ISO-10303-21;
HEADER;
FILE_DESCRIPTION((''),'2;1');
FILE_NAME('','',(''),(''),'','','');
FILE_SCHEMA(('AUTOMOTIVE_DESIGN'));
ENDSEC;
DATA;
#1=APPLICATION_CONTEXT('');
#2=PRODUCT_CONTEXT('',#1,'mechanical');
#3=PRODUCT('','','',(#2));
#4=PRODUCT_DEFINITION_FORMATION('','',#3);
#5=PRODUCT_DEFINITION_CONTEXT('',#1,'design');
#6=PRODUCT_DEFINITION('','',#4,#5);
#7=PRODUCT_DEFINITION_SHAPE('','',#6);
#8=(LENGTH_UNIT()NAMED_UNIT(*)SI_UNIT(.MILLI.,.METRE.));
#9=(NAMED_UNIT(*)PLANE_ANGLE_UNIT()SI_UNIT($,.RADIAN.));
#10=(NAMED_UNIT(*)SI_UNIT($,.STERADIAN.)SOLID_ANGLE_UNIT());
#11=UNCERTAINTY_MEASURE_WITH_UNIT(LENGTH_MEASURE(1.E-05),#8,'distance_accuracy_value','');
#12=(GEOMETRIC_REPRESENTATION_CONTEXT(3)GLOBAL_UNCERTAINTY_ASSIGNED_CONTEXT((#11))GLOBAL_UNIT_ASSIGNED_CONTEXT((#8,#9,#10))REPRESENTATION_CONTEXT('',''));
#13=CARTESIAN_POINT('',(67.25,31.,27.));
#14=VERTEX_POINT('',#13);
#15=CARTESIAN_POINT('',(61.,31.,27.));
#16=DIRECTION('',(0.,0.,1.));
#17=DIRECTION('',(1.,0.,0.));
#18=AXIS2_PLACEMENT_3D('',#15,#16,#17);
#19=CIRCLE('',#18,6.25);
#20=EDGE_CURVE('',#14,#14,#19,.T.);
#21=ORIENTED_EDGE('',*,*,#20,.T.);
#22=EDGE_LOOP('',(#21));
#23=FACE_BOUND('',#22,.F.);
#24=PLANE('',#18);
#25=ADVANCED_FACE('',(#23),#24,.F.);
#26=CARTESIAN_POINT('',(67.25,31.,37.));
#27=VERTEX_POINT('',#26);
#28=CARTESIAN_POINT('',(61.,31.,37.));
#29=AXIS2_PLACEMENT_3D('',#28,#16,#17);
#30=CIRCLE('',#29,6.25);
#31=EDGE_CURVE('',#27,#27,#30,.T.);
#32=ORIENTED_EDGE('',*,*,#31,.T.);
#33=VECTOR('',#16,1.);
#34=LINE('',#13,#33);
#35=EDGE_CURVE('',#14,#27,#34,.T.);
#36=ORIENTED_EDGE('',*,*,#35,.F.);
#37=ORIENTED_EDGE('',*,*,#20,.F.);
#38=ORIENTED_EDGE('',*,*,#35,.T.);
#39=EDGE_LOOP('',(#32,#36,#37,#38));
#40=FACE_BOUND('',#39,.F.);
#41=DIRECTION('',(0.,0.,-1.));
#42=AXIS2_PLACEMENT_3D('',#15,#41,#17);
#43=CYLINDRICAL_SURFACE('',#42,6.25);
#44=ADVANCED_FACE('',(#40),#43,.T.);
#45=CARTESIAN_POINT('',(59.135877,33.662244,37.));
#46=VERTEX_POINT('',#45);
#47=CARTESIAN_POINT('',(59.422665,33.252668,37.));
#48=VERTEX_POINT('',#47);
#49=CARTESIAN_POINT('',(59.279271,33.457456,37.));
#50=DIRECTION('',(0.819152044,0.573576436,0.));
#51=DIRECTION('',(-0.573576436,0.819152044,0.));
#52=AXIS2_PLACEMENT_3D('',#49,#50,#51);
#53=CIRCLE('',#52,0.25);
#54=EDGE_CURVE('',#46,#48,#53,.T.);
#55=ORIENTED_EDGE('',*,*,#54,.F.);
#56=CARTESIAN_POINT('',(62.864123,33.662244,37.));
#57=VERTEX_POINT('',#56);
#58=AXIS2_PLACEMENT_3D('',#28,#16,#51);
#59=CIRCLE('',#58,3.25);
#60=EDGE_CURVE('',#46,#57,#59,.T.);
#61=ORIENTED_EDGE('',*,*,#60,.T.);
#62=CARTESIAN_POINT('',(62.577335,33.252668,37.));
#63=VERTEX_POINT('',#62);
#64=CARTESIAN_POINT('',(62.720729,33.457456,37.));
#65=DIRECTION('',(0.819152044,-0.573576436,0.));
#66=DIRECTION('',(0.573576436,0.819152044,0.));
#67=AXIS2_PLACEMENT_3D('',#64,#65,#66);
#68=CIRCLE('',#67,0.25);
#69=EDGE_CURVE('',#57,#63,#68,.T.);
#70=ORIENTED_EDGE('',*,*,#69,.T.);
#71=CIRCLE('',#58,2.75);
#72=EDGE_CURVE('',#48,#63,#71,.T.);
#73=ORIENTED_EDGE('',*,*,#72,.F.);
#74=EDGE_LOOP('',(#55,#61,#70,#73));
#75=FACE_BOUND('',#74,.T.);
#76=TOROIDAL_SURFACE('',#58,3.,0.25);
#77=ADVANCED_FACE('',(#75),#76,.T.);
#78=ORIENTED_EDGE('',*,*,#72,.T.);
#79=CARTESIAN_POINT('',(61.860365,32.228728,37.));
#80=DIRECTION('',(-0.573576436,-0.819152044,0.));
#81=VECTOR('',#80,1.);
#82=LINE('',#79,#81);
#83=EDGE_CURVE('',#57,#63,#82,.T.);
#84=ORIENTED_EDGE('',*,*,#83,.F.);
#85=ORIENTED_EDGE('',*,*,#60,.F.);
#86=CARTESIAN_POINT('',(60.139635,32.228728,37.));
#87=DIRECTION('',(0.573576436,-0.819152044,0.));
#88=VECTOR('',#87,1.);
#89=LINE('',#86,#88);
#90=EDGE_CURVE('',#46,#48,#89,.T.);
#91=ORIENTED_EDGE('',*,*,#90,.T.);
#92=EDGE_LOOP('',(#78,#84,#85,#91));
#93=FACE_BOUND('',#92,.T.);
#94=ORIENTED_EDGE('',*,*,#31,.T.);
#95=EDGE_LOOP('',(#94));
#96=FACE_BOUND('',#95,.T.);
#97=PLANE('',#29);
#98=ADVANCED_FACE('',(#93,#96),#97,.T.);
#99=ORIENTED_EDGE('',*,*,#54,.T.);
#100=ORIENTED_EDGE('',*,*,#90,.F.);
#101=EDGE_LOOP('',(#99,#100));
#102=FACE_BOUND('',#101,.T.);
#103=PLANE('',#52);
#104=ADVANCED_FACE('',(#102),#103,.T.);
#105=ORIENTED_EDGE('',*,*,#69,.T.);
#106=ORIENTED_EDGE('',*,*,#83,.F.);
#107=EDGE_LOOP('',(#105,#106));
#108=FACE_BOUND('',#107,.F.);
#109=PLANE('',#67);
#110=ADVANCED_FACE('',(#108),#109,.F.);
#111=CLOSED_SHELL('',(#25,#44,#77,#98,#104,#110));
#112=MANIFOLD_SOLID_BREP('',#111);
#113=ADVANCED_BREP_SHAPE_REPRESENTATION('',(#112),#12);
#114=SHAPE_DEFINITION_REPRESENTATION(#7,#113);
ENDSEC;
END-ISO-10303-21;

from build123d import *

# Parameters (mm, degrees)
CYLINDER005_R         = 6.25
CYLINDER005_DEPTH     = 10
TORUS_R               = 0.25
TORUS_ANGLE           = 290
TORUS_PLACEMENT_ANGLE = 125


with BuildPart() as power_butt:
    # Cylinder005 → Cylinder005 (new body)
    with BuildSketch(Plane(origin=(61, 31, 27), x_dir=(1, 0, 0), z_dir=(0, 0, 1))):
        Circle(CYLINDER005_R)
    extrude(amount=CYLINDER005_DEPTH)


with BuildPart() as power_button:
    # Torus → Torus (revolve)
    with BuildSketch(Plane.XZ):
        with Locations((3, 0)):
            Circle(TORUS_R)
    revolve(axis=Axis((0, 0, 0), (0, 0, 1)), revolution_arc=TORUS_ANGLE)


with BuildPart() as power_button_1:
    # Torus placement: moved
    add(power_button.part.moved(Location((61, 31, 37))).rotate(Axis((61, 31, 37), (0, 0, 1)), TORUS_PLACEMENT_ANGLE))

    # Fusion006: union power_butt
    add(power_butt.part)


solid = power_button_1.part
